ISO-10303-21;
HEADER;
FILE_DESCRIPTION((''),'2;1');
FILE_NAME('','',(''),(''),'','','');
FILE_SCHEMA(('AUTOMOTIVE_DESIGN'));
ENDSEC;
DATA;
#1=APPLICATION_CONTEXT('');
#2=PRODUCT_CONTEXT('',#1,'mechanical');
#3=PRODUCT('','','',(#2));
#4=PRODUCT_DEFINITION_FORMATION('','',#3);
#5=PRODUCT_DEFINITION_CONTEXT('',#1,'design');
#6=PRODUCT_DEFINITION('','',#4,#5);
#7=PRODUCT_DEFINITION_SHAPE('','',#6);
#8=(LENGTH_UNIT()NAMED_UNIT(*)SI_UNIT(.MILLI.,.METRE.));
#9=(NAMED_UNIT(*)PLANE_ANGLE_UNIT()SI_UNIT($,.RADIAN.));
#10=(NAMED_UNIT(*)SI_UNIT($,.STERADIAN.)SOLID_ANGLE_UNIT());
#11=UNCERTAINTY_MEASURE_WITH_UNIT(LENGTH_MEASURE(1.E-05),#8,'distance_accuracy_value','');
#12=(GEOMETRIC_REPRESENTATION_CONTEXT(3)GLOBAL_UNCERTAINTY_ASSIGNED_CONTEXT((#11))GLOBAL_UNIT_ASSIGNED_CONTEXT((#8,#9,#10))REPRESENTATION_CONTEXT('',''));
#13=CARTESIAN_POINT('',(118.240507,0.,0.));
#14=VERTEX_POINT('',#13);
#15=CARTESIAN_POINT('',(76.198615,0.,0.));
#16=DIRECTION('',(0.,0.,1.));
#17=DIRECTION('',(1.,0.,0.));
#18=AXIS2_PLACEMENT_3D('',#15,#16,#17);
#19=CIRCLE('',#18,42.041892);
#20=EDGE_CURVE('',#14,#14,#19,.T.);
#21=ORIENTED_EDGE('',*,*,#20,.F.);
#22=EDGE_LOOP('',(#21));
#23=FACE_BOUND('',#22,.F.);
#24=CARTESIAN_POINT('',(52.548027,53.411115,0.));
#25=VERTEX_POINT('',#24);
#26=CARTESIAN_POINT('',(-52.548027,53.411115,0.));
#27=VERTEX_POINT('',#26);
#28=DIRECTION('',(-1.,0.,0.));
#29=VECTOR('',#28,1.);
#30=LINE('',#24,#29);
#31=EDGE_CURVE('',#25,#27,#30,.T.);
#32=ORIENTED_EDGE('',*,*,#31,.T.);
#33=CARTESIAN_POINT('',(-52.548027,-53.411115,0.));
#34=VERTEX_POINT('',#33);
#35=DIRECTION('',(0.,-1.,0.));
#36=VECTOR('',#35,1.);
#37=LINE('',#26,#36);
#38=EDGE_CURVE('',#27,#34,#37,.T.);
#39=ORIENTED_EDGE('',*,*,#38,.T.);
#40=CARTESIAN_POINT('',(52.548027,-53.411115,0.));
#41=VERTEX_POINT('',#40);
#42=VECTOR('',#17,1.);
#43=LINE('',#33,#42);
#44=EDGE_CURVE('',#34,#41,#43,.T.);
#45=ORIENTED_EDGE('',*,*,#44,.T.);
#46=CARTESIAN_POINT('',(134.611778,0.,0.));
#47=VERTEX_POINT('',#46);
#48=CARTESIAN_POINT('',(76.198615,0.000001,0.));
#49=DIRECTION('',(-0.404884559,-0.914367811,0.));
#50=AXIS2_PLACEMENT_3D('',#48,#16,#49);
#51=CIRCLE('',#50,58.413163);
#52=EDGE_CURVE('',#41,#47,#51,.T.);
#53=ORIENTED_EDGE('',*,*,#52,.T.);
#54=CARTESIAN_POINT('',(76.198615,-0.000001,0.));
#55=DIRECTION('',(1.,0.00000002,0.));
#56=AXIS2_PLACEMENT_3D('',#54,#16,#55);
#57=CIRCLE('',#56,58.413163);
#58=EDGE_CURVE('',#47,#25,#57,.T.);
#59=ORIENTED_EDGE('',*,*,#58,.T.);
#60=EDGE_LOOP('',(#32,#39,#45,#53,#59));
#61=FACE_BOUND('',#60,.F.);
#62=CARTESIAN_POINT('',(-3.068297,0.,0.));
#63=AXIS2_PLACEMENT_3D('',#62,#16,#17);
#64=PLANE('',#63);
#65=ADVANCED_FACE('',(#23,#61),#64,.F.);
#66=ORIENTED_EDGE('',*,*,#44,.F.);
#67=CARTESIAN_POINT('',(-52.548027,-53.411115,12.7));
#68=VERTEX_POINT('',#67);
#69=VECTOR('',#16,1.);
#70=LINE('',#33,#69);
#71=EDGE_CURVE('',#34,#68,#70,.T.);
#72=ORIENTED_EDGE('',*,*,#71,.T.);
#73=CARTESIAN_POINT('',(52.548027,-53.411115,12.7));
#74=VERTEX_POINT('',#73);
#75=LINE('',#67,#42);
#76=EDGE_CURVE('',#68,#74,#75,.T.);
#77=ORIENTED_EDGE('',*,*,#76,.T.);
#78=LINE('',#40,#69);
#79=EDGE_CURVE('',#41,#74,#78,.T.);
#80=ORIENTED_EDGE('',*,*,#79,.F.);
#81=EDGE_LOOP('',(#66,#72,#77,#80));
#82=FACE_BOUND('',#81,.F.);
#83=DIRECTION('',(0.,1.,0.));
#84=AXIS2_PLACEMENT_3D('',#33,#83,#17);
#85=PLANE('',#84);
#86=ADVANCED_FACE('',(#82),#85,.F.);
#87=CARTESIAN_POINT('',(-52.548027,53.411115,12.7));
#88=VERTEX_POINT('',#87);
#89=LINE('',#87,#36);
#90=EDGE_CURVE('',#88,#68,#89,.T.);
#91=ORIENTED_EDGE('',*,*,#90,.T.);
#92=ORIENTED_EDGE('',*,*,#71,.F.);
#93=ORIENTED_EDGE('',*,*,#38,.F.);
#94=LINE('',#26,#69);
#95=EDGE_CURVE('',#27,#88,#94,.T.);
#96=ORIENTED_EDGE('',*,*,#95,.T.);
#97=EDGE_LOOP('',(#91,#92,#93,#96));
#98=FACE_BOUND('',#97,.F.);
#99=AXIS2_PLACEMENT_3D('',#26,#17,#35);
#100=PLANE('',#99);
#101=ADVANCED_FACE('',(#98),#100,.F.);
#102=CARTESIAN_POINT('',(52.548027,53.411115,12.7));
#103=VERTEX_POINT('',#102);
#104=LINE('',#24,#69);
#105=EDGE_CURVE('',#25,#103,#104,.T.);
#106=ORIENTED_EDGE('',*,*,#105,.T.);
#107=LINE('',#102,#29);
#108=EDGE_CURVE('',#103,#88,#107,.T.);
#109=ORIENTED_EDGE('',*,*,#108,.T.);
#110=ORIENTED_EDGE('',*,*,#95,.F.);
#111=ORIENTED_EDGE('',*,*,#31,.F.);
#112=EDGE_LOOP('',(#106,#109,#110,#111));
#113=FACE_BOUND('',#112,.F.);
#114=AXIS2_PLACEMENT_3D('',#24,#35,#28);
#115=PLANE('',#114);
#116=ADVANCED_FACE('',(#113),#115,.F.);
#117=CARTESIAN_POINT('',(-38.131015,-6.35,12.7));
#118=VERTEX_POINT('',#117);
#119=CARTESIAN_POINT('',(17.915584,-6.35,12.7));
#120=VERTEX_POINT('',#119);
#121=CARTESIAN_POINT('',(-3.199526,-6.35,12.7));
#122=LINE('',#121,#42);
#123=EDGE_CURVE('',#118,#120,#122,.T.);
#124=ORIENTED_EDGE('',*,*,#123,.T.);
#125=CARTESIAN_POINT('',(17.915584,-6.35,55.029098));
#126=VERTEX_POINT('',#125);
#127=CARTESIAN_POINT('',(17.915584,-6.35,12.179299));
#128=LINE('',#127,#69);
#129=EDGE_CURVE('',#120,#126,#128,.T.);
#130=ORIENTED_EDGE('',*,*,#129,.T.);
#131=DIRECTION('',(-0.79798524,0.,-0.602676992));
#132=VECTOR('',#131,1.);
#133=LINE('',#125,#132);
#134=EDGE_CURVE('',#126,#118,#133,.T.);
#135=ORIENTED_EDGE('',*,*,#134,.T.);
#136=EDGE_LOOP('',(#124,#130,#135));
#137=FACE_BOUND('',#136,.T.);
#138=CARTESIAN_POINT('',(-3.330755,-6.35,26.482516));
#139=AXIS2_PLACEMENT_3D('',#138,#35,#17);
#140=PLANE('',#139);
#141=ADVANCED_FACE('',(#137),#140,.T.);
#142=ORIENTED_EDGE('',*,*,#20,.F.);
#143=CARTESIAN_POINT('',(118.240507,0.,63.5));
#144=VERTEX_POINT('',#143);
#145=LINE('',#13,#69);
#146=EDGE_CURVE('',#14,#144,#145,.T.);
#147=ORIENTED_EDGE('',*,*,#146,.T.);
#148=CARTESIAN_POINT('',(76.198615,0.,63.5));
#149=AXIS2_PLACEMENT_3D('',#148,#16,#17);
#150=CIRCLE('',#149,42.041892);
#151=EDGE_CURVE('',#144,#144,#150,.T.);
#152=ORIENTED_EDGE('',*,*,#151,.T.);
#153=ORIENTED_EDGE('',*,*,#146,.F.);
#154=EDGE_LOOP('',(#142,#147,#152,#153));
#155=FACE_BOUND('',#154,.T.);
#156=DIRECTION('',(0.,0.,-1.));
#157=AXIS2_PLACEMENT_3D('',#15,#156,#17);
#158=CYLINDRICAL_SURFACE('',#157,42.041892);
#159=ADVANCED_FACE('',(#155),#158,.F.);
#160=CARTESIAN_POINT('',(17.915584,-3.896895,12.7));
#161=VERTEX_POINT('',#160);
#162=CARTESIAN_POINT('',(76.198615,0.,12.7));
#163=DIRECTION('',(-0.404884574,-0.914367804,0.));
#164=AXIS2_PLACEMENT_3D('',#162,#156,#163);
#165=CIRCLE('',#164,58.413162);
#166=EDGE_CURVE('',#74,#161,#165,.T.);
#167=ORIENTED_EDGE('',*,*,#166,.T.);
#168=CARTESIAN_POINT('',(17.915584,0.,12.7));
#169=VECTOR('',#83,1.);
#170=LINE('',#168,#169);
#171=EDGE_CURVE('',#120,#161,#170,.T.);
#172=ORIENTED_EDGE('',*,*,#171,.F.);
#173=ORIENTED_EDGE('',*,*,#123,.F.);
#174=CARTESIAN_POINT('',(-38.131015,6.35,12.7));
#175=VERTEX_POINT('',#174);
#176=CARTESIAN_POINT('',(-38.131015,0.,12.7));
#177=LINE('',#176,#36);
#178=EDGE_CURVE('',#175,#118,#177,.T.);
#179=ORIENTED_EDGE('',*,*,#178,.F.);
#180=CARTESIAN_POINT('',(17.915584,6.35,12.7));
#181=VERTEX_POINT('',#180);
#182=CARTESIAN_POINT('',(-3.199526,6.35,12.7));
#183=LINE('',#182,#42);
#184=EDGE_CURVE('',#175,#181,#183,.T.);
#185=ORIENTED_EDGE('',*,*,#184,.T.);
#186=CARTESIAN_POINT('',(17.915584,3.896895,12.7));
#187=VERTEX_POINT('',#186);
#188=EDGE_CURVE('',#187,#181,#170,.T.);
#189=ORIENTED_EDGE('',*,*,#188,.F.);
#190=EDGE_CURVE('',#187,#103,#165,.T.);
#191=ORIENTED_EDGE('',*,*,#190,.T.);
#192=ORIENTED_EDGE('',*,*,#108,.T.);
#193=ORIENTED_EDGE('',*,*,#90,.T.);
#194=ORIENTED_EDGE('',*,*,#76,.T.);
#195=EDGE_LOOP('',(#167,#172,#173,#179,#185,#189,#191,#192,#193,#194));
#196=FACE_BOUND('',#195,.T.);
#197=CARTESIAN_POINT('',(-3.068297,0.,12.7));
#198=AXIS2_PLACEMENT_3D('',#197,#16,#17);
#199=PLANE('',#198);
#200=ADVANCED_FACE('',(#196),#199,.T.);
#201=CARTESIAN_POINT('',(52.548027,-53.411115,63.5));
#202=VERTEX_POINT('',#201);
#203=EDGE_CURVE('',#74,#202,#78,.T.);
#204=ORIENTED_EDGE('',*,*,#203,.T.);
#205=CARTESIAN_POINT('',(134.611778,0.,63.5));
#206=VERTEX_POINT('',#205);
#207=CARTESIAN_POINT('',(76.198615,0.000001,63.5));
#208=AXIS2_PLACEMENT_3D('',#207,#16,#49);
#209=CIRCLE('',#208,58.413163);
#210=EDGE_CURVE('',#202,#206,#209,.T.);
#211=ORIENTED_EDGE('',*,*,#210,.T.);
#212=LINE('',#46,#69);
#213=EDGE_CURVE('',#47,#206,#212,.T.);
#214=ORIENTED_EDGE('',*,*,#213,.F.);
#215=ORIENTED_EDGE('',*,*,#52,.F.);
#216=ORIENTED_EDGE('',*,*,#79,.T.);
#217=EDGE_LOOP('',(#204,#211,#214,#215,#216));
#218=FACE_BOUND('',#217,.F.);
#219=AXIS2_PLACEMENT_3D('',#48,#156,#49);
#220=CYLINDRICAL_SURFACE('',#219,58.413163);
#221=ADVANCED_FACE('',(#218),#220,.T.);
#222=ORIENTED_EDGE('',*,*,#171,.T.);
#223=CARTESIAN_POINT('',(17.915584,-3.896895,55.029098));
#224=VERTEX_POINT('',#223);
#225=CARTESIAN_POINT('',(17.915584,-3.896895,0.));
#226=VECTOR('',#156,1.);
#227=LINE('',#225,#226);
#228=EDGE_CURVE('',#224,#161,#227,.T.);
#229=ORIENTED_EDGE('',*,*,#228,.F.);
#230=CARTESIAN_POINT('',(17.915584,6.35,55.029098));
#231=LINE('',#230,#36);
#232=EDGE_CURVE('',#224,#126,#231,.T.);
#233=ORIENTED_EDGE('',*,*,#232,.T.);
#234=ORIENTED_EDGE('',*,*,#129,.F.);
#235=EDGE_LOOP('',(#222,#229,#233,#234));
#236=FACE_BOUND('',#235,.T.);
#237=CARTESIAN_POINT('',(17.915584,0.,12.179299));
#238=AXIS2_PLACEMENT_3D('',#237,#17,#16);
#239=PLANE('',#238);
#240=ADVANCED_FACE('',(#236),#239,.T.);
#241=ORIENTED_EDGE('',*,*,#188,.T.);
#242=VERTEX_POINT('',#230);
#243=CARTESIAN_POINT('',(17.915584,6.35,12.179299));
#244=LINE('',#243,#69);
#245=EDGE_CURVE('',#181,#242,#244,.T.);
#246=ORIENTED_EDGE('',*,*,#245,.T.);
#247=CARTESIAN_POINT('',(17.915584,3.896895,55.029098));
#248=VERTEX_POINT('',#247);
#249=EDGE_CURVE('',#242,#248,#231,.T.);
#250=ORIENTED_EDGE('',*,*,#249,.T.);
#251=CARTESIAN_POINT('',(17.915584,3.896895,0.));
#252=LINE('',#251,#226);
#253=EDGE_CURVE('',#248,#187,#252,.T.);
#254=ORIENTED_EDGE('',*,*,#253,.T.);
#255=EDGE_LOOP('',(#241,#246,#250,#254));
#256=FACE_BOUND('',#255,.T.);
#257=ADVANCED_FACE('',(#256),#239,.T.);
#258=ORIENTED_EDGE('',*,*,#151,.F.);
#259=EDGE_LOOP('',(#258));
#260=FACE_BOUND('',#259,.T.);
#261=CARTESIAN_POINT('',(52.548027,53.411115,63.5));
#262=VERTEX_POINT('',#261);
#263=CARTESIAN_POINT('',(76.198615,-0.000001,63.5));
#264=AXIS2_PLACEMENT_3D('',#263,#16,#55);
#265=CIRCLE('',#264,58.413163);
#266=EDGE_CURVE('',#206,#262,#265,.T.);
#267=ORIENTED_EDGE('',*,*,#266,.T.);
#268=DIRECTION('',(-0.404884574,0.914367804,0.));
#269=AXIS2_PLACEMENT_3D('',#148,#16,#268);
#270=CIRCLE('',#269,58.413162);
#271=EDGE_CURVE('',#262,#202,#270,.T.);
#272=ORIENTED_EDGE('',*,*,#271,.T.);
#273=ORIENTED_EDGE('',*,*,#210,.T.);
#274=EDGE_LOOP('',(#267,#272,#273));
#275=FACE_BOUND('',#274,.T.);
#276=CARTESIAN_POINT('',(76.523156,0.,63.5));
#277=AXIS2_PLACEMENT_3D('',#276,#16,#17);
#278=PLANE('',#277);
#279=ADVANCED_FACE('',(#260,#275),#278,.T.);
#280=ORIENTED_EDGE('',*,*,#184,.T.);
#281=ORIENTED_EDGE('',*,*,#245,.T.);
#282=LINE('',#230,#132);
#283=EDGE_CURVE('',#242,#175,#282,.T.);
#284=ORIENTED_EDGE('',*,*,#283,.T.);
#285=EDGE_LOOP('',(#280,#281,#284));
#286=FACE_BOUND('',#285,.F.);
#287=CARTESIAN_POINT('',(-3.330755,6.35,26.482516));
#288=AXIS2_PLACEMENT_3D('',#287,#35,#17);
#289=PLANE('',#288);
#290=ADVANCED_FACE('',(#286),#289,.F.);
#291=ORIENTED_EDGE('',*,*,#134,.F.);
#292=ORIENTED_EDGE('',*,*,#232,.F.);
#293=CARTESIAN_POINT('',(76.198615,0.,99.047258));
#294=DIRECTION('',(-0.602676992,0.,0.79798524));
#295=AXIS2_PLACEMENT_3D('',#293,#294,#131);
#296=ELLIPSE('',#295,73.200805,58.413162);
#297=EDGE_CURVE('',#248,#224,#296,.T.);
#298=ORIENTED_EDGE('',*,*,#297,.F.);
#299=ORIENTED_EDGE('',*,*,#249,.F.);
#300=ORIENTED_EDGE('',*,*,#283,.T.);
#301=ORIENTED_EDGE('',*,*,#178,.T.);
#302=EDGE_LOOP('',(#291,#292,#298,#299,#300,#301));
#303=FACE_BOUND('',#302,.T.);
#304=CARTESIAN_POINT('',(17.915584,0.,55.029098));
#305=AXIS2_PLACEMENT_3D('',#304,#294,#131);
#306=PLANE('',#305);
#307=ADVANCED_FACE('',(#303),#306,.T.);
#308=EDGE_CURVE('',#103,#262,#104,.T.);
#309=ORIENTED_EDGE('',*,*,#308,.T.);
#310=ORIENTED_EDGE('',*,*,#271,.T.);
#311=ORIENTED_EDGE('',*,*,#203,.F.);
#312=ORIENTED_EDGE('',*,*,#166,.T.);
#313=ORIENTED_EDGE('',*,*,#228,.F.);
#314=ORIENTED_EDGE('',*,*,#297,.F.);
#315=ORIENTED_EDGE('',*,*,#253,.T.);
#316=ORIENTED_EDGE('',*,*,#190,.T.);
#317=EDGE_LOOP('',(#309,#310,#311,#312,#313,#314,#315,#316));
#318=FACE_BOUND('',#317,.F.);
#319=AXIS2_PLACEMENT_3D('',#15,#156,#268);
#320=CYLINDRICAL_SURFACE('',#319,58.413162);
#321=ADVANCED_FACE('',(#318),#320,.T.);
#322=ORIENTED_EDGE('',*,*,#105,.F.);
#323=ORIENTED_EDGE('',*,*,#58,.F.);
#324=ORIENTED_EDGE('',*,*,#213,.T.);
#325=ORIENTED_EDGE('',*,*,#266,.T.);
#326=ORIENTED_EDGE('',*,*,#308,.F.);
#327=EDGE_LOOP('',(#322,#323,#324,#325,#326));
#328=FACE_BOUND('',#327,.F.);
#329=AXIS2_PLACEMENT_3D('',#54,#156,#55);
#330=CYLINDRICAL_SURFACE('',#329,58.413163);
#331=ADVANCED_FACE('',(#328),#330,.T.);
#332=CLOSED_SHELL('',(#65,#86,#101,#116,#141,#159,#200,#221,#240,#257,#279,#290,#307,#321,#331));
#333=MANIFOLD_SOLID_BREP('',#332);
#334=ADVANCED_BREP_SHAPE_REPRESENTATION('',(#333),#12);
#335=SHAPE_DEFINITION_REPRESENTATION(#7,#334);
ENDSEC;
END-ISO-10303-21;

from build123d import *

# Parameters (mm, degrees)
F0_R     = 42.041892
F1_DEPTH = 63.5
F2_DEPTH = 12.7
F4_DEPTH = 6.35


with BuildPart() as f1:
    # F0 (on Top) → F1 (new body)
    with BuildSketch(Plane.XY):
        with BuildLine():
            ThreePointArc((52.548027, -53.411115), (108.062324, -48.95714), (134.611778, 0))
            ThreePointArc((134.611778, 0), (108.062324, 48.95714), (52.548027, 53.411115))
            ThreePointArc((52.548027, 53.411115), (17.785453, 0), (52.548027, -53.411115))
        make_face()
        with Locations((76.198615, 0)):
            Circle(F0_R, mode=Mode.SUBTRACT)
    extrude(amount=F1_DEPTH)

    # F0 (on Top) → F2 (join)
    with BuildSketch(Plane.XY):
        with BuildLine():
            ThreePointArc((52.548027, -53.411115), (17.785453, 0), (52.548027, 53.411115))
            Line((52.548027, 53.411115), (-52.548027, 53.411115))
            Line((-52.548027, 53.411115), (-52.548027, -53.411115))
            Line((-52.548027, -53.411115), (52.548027, -53.411115))
        make_face()
    extrude(amount=F2_DEPTH)

    # F3 (on Front) → F4 (join, symmetric)
    with BuildSketch(Plane.XZ):
        Polygon((17.915584, 12.179299), (17.915584, 55.029098), (-38.820458, 12.179299), align=None)
    extrude(amount=F4_DEPTH, both=True)


solid = f1.part
